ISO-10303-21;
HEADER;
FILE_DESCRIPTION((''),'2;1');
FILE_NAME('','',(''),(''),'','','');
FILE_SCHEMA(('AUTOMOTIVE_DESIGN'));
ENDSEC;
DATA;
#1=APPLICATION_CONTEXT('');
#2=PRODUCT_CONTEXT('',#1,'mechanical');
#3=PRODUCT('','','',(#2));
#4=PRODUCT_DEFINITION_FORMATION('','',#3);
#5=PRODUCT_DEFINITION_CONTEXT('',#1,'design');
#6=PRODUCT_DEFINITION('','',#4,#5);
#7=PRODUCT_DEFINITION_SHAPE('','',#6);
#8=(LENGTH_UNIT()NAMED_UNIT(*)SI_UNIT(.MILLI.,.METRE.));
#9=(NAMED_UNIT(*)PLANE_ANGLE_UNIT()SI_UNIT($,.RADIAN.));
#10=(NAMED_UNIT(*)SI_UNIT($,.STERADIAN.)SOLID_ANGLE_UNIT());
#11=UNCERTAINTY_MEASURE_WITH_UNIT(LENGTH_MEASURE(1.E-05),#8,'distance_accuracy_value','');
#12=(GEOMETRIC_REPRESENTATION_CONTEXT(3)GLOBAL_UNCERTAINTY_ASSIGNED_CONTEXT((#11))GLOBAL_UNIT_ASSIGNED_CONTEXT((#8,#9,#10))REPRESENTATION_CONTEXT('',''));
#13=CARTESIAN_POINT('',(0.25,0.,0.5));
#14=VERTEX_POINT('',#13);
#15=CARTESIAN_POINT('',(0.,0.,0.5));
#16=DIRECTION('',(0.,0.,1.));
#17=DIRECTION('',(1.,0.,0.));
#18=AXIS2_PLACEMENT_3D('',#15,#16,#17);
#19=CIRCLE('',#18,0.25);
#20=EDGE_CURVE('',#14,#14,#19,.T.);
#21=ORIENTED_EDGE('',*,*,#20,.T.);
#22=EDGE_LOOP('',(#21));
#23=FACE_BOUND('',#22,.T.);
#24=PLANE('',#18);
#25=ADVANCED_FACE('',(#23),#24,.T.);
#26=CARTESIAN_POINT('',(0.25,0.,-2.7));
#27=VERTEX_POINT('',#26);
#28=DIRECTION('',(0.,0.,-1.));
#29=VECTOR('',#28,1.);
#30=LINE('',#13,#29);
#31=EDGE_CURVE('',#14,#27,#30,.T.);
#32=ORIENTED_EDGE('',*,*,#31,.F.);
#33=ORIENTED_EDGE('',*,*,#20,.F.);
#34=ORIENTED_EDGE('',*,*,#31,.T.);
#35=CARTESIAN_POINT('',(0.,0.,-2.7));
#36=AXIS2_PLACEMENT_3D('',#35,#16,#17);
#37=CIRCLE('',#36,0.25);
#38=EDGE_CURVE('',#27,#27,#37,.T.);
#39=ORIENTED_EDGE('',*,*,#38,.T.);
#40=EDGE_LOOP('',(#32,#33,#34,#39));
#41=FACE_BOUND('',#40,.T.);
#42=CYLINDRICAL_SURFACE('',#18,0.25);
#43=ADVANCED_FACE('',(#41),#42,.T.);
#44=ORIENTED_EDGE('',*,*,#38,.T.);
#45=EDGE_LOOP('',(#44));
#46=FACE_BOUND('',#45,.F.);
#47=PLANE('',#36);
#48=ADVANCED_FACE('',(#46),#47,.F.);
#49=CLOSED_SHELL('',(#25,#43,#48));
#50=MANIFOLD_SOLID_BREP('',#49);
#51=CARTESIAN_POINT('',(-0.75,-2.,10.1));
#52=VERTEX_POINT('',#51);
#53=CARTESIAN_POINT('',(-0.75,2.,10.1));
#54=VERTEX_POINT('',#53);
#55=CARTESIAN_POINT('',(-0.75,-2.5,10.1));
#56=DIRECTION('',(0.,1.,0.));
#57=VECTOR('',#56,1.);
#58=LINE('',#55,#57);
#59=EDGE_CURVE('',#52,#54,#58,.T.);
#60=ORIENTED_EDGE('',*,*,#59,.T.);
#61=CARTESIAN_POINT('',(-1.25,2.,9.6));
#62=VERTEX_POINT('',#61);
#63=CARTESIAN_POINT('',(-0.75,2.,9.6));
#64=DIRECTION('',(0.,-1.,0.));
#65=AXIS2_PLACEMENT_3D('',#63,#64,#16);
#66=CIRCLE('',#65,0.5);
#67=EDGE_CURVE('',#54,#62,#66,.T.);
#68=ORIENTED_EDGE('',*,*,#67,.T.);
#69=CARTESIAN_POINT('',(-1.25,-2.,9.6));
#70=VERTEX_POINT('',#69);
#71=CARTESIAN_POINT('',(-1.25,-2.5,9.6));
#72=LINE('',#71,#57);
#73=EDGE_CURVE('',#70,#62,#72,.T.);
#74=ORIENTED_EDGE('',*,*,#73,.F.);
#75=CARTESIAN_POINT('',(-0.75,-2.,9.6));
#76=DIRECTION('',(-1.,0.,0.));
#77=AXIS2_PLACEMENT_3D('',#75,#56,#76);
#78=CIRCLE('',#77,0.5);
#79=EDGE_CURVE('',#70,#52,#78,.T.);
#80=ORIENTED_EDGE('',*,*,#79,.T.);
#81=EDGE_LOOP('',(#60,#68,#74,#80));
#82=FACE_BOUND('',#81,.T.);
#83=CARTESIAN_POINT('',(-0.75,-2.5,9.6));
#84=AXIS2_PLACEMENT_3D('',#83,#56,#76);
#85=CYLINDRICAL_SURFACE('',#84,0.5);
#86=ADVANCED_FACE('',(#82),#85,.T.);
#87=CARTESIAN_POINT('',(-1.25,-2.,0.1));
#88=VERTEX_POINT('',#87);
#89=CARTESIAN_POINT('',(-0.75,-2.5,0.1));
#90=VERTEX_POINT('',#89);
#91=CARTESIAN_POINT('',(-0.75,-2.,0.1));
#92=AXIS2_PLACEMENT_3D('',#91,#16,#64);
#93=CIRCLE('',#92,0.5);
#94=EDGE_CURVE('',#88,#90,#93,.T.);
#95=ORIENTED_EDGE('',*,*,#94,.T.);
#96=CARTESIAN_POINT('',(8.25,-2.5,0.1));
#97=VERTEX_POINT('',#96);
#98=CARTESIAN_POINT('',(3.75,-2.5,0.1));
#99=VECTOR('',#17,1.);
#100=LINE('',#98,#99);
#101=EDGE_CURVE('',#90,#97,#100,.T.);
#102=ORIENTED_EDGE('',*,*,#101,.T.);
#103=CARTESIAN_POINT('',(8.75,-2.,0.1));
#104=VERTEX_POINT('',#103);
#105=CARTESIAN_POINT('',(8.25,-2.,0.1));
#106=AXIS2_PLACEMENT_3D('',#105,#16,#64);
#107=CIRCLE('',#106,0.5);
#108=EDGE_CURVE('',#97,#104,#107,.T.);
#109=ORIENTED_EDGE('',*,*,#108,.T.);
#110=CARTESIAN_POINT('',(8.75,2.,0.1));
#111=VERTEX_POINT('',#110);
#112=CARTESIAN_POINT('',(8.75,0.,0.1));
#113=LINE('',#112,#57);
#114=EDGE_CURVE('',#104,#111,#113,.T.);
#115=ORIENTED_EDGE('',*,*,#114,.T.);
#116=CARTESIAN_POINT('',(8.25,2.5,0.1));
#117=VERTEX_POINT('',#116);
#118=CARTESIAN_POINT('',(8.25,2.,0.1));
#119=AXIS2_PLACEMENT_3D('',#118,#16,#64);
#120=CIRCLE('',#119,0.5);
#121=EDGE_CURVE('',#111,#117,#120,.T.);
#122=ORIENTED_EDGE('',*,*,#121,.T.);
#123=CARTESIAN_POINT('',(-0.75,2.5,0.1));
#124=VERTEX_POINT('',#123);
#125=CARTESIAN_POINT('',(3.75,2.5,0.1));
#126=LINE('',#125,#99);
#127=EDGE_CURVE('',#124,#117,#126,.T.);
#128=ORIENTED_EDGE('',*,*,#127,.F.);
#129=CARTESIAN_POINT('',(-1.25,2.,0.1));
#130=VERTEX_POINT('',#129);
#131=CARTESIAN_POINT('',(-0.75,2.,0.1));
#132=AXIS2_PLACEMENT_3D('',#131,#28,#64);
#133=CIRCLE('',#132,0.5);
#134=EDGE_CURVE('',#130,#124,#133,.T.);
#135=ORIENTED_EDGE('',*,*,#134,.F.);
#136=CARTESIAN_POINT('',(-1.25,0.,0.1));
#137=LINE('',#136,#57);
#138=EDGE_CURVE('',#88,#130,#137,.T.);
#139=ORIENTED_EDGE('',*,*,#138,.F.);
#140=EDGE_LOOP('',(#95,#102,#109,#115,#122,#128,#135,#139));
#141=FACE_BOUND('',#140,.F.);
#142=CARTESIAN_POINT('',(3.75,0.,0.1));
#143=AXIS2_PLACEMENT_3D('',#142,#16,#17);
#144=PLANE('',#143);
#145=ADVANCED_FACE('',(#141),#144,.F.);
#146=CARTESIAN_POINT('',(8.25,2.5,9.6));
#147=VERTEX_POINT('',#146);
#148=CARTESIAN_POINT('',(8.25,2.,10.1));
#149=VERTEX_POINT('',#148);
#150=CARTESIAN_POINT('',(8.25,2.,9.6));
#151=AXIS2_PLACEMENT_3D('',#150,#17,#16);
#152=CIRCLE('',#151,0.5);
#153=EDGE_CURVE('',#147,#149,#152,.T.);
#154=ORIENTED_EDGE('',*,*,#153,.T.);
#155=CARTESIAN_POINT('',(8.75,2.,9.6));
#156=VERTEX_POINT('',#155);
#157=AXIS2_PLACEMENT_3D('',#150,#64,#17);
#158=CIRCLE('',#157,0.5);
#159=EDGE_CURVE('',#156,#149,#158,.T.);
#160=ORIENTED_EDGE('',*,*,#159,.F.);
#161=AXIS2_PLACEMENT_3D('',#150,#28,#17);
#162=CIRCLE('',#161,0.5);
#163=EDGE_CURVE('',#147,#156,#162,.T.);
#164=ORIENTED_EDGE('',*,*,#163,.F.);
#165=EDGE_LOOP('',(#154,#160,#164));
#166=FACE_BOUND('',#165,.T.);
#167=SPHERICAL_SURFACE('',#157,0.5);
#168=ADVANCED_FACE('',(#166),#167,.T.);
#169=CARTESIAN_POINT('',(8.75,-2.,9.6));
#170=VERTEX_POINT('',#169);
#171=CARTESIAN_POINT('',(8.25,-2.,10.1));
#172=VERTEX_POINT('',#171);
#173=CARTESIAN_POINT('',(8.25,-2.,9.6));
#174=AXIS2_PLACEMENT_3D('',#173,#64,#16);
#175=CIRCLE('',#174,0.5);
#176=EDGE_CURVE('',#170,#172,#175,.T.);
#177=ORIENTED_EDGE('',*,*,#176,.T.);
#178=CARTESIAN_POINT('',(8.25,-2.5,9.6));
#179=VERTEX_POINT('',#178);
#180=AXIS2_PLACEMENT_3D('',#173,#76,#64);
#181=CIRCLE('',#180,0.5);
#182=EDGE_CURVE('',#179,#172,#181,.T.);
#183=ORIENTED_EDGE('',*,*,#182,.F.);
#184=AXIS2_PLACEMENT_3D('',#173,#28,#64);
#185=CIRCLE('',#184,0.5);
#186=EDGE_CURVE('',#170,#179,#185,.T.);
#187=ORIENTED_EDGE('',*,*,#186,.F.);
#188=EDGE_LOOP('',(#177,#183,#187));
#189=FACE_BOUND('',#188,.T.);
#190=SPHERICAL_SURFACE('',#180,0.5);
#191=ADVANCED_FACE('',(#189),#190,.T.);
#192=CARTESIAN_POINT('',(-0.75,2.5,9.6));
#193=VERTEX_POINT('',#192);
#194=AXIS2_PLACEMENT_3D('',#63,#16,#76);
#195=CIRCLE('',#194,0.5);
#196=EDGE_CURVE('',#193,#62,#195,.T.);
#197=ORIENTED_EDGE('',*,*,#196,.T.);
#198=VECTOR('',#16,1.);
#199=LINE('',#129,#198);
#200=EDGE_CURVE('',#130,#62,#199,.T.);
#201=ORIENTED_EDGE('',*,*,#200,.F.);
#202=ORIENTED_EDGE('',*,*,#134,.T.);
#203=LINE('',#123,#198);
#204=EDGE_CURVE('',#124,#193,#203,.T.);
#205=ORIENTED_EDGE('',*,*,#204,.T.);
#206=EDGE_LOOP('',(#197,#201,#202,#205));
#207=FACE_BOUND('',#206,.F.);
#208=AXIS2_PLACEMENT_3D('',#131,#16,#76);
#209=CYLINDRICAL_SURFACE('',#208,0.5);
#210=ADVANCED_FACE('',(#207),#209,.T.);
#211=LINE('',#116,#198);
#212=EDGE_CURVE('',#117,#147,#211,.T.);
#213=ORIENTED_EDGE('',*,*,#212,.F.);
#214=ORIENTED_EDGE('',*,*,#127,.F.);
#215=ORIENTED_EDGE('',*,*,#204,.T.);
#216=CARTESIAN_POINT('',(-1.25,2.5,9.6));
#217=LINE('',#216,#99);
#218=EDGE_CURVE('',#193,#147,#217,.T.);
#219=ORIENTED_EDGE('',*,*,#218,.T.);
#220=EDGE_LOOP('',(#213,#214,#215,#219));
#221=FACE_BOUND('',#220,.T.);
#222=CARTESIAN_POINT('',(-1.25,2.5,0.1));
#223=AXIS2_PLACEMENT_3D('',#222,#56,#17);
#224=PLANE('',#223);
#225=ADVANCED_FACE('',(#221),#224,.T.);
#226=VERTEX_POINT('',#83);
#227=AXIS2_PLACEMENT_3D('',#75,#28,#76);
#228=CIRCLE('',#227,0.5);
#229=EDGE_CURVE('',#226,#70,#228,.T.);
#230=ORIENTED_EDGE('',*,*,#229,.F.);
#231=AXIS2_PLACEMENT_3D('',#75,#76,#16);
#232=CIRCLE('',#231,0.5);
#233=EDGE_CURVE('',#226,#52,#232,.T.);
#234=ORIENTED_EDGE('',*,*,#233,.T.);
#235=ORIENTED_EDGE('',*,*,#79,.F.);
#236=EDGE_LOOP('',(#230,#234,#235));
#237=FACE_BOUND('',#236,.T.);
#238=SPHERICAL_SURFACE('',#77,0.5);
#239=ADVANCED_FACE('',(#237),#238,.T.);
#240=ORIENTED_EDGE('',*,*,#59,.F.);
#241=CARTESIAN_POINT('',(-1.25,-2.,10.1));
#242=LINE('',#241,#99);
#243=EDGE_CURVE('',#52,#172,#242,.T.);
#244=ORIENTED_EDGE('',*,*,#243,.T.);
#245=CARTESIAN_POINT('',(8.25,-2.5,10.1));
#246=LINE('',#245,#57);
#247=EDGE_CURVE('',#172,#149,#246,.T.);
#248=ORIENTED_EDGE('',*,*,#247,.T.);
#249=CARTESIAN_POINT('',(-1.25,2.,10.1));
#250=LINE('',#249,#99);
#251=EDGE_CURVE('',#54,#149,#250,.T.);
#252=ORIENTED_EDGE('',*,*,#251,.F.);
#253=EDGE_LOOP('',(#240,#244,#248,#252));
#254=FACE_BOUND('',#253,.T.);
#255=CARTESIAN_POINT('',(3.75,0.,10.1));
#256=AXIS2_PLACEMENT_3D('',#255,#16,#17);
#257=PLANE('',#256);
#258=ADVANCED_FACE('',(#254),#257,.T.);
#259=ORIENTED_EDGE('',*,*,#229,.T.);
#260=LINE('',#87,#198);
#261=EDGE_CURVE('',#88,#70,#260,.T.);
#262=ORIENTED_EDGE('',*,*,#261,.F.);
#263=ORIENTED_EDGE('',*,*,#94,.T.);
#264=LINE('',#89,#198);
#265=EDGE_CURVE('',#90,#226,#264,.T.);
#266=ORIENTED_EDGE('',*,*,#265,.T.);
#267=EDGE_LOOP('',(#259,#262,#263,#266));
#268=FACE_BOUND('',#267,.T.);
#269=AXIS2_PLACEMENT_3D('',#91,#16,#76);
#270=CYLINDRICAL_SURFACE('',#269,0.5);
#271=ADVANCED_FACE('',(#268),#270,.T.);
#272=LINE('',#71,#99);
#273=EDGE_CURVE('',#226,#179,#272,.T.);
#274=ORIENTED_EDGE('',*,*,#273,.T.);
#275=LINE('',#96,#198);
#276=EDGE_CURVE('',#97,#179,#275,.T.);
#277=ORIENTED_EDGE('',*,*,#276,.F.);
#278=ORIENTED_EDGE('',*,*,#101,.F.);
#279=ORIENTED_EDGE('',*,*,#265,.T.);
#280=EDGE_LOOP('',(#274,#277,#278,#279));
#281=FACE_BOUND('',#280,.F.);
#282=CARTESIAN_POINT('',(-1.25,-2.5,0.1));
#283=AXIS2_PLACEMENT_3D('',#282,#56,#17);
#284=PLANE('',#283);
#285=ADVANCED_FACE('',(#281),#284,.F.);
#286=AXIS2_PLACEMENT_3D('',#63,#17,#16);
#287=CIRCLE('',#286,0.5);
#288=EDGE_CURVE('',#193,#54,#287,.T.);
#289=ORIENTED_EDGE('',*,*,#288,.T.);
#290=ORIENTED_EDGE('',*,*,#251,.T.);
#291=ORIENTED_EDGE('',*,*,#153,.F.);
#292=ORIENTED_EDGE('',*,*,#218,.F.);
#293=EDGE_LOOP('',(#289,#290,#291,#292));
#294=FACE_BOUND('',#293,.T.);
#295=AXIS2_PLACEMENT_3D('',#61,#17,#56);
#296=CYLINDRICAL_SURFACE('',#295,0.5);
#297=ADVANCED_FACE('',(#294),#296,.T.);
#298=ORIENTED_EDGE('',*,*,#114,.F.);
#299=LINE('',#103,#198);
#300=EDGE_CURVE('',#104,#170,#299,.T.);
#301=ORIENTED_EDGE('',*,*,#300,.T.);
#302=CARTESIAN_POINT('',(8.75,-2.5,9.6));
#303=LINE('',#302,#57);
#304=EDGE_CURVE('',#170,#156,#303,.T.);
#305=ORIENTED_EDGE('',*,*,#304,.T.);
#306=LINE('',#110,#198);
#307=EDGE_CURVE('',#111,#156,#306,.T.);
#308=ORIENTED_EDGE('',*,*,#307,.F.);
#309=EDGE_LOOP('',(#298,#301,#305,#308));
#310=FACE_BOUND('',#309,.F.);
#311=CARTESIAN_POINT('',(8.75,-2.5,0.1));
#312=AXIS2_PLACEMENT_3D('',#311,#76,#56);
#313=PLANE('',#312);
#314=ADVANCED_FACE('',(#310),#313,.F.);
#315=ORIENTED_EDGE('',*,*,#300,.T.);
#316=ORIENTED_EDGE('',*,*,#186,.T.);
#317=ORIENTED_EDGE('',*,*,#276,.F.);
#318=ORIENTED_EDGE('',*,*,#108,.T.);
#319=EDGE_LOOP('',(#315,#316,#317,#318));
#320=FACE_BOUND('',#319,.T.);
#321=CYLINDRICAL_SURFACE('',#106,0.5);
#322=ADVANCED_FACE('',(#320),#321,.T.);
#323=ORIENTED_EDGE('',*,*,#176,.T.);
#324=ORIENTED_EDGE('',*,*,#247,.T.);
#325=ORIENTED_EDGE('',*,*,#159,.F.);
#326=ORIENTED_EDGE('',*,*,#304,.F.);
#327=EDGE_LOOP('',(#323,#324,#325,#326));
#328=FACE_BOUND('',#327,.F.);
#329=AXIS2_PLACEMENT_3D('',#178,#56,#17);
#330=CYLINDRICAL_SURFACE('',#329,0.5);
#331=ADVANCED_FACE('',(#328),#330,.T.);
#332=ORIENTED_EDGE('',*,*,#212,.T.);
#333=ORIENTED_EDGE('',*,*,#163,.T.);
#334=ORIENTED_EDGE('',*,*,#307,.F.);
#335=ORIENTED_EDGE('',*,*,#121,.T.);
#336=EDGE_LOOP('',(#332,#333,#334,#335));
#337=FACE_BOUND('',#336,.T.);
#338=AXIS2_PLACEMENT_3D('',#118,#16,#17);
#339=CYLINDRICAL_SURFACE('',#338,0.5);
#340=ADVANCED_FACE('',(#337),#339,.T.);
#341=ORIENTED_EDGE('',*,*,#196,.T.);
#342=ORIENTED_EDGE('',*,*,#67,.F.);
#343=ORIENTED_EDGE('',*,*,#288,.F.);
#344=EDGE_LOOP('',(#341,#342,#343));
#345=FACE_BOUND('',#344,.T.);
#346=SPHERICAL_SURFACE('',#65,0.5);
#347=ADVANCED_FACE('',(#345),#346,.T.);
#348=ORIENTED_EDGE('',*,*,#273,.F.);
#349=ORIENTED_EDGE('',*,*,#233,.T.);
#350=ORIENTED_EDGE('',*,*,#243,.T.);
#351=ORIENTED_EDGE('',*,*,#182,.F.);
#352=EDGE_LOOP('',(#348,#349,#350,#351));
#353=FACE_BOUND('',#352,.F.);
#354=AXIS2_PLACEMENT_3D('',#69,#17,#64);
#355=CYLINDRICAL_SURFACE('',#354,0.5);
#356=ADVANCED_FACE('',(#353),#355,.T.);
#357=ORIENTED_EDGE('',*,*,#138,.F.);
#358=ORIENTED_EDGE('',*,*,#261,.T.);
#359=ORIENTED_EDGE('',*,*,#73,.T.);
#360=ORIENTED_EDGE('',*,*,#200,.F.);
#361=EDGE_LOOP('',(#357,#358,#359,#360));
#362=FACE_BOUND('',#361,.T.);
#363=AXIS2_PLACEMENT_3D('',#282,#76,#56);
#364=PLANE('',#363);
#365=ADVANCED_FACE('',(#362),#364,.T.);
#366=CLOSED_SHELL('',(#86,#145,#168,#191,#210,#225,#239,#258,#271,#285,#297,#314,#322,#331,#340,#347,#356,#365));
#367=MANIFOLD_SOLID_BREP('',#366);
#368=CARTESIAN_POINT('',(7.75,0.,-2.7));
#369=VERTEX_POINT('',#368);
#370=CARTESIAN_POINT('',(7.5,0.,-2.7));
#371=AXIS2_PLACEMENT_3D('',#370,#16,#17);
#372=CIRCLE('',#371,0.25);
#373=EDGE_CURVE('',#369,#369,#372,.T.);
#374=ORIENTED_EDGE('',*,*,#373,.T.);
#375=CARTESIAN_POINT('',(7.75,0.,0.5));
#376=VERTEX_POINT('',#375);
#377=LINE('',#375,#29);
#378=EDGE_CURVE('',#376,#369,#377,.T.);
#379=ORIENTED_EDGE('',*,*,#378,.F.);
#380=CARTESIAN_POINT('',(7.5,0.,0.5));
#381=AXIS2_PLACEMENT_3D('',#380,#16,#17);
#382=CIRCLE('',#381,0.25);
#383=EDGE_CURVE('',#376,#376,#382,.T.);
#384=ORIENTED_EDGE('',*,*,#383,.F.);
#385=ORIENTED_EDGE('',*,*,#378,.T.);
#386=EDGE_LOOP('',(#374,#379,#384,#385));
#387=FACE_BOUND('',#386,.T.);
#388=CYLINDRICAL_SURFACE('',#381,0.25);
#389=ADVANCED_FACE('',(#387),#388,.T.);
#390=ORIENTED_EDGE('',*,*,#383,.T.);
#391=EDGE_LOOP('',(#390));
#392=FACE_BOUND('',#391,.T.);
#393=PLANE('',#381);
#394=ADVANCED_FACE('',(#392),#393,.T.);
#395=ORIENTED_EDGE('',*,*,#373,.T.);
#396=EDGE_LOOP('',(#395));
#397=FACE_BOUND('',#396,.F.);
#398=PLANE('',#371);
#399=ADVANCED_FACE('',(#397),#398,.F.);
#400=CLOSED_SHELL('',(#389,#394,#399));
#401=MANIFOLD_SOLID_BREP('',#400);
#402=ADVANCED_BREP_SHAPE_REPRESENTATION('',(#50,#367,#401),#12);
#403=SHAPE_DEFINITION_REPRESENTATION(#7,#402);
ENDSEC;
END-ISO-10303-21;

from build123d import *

# Parameters (mm, degrees)
SKETCH_W     = 10
SKETCH_H     = 5
PAD_DEPTH    = 10
FILLET_R     = 0.5
SKETCH001_R  = 0.25
PAD001_DEPTH = 3.2


with BuildPart() as fillet_body:
    # Sketch → Pad (new body)
    with BuildSketch(Plane.XY.offset(0.1)):
        with Locations((3.75, 0)):
            Rectangle(SKETCH_W, SKETCH_H)
    extrude(amount=PAD_DEPTH)

    # Fillet
    fillet_edges = [fillet_body.edges().sort_by_distance(p)[0] for p in [
        (-1.25, 0, 10.1),
        (-1.25, -2.5, 5.1),
        (3.75, -2.5, 10.1),
        (8.75, -2.5, 5.1),
        (8.75, 0, 10.1),
        (8.75, 2.5, 5.1),
        (3.75, 2.5, 10.1),
        (-1.25, 2.5, 5.1),
    ]]
    fillet(fillet_edges, radius=FILLET_R)


with BuildPart() as pad001:
    # Sketch001 → Pad001 (new body)
    with BuildSketch(Plane.XY.offset(0.5)):
        Circle(SKETCH001_R)
        with Locations((7.5, 0)):
            Circle(SKETCH001_R)
    extrude(amount=-PAD001_DEPTH)


solid = Compound([fillet_body.part, pad001.part])
